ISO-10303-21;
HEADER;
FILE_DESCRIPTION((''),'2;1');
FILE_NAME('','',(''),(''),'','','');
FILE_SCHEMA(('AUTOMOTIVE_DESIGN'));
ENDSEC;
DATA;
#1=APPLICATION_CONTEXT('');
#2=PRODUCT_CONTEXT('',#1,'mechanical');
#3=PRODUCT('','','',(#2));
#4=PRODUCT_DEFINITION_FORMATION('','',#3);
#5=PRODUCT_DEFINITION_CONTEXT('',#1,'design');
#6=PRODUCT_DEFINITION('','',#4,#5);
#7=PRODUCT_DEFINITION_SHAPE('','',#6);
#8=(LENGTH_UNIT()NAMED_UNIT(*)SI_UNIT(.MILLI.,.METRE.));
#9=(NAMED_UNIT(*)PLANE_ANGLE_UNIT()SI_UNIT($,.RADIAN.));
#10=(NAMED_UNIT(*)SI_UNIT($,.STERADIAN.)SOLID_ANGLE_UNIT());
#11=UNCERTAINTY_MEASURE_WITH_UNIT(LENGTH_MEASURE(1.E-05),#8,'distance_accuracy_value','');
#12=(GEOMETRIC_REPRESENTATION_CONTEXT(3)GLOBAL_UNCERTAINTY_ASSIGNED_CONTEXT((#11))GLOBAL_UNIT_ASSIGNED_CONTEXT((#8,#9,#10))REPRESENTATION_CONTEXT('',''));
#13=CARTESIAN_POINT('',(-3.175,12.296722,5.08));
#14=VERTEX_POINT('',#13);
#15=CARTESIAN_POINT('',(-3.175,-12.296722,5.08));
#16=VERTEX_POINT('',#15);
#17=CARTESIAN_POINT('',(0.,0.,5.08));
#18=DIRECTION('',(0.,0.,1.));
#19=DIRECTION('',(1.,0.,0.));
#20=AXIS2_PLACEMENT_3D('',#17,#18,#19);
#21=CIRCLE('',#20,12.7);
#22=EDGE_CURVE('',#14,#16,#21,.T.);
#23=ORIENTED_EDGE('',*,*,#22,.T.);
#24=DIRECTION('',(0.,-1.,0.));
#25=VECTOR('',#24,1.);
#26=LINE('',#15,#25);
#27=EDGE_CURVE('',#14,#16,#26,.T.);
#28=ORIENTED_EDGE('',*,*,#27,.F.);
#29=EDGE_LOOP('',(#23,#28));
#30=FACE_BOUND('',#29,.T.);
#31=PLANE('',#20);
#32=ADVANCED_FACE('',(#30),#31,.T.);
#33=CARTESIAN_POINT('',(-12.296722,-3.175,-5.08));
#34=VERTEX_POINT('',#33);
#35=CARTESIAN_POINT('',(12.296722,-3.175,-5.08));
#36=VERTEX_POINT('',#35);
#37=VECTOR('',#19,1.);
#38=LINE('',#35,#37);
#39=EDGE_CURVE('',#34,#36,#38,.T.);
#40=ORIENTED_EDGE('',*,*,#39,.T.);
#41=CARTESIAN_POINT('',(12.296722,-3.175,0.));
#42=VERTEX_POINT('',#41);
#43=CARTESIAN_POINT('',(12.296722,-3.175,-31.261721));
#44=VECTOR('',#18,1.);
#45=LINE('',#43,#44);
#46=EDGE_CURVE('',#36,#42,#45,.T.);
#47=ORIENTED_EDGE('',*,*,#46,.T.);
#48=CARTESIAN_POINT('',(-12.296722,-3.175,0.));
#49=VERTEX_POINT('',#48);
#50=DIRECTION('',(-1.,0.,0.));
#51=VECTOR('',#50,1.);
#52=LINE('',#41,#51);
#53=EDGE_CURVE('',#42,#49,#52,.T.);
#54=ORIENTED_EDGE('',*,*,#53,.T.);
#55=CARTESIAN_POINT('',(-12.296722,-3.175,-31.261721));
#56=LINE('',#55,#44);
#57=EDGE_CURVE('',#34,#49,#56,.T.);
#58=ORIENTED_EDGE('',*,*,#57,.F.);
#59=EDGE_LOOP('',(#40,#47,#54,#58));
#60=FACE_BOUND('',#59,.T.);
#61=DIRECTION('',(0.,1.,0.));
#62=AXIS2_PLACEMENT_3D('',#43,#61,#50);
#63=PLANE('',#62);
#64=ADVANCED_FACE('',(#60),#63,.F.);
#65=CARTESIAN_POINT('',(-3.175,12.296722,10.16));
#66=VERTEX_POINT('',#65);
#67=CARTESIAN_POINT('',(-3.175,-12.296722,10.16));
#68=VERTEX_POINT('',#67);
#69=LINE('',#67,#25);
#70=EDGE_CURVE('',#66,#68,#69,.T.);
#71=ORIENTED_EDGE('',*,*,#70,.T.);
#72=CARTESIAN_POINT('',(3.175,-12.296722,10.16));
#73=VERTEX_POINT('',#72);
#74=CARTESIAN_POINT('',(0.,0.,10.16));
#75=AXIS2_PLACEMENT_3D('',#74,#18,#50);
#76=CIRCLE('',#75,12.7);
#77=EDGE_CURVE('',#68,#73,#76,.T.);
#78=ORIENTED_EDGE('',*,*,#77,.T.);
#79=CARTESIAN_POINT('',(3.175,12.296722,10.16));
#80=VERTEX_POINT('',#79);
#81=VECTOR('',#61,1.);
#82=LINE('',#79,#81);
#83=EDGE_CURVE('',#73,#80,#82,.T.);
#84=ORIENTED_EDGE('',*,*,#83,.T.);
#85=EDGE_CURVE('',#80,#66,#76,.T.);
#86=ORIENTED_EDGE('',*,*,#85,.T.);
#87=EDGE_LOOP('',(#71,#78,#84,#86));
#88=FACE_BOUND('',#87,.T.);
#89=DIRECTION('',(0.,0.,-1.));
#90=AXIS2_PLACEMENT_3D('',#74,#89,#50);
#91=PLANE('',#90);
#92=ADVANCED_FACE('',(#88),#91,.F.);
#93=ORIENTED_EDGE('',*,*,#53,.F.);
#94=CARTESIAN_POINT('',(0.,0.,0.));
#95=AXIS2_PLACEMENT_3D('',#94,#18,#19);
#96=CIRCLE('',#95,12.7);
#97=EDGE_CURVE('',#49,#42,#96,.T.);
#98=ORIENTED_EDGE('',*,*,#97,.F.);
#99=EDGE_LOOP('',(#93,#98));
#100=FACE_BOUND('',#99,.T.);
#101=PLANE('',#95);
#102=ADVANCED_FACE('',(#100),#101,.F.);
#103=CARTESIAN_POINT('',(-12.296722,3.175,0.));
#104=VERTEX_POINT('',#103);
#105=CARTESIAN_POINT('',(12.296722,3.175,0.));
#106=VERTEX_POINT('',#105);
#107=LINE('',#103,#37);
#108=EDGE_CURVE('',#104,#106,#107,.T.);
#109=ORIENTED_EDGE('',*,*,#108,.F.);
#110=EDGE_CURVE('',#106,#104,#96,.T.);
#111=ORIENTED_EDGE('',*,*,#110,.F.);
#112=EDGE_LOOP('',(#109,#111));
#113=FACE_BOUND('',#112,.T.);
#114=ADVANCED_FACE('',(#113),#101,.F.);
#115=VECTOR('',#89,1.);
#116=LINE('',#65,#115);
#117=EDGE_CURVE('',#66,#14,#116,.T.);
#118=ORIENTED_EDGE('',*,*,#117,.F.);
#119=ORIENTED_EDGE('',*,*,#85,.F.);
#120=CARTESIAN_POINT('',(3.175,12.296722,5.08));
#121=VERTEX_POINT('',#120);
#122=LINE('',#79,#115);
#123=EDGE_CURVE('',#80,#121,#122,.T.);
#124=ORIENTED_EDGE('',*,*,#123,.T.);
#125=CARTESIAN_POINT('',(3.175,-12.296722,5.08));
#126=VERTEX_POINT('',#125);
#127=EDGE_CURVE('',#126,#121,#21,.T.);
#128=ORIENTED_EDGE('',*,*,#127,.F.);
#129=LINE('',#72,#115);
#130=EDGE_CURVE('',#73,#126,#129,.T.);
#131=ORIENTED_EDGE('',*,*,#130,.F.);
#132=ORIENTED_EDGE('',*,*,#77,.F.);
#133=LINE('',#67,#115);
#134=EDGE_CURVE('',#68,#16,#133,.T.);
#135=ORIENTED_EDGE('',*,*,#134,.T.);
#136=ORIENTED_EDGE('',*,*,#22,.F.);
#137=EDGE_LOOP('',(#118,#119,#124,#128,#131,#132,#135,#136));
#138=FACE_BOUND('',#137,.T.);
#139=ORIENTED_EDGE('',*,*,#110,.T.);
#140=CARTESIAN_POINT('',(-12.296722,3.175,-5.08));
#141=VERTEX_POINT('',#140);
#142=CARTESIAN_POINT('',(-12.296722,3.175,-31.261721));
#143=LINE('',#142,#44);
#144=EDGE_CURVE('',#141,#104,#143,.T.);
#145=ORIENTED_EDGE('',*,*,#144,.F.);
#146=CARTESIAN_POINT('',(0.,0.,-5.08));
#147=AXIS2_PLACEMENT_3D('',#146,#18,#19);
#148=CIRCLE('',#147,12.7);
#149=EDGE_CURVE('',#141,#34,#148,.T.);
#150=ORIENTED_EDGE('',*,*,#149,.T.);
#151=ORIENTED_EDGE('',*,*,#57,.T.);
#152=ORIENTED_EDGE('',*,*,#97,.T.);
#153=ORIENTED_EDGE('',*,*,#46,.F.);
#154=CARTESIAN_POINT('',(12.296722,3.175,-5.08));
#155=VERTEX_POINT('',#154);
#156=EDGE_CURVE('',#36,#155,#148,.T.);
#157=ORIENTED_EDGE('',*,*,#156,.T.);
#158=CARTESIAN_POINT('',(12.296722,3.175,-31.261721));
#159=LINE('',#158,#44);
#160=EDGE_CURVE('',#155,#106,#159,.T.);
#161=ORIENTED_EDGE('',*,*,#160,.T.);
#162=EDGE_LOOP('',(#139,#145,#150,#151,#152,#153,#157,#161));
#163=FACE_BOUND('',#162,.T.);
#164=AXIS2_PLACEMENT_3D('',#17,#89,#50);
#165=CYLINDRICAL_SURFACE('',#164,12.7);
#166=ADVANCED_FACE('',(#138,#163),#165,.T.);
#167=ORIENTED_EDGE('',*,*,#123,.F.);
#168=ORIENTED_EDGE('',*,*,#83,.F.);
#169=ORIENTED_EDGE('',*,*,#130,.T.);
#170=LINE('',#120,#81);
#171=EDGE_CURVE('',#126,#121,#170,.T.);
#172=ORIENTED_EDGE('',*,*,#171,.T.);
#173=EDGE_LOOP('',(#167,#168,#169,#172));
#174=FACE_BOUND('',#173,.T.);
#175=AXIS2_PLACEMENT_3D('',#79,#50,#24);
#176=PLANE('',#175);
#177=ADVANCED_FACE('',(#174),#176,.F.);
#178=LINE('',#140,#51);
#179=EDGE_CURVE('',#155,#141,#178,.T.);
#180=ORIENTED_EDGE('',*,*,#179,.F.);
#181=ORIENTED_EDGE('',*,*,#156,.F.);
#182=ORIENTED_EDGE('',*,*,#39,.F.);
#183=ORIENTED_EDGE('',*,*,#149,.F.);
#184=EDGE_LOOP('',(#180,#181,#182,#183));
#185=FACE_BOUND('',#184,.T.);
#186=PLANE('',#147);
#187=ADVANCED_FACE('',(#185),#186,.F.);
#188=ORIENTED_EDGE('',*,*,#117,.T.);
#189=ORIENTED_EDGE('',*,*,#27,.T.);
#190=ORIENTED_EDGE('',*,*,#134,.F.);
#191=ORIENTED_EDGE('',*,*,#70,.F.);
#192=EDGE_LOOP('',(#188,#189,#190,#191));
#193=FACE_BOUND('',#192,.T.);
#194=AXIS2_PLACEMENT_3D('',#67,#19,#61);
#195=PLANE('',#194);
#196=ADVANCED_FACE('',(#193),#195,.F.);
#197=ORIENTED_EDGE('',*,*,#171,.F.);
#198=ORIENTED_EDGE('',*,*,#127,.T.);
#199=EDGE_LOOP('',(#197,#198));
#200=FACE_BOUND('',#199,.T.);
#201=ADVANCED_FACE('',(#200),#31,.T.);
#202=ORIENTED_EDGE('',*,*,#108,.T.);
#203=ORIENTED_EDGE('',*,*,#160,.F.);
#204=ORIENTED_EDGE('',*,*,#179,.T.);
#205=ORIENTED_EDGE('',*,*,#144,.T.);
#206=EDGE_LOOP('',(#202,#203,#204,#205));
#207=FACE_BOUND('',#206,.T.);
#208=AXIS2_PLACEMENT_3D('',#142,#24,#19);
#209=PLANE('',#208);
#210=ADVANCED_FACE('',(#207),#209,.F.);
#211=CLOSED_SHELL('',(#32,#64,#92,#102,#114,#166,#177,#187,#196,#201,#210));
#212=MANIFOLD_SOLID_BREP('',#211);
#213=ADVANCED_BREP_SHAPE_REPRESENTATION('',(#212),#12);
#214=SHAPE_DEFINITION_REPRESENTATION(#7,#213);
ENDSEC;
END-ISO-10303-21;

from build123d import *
from build123d.topology import SkipClean

# Parameters (mm, degrees)
SKETCH1_R           = 12.7
BOSS_EXTRUDE1_DEPTH = 5.08
BOSS_EXTRUDE2_START = 5.08
BOSS_EXTRUDE2_DEPTH = 5.08
BOSS_EXTRUDE3_DEPTH = 5.08


with BuildPart() as part:
    # Sketch1 → Boss-Extrude1 (new body)
    with BuildSketch(Plane.XY):
        Circle(SKETCH1_R)
    extrude(amount=BOSS_EXTRUDE1_DEPTH)

    # Sketch2 → Boss-Extrude2 (add)
    with SkipClean():  # the faces are left unmerged after this step: merging them gives an invalid solid
        with BuildSketch(Plane(origin=(0, 0, 0), x_dir=(-1, 0, 0), z_dir=(0, 0, -1)).offset(BOSS_EXTRUDE2_START)):
            with BuildLine():
                Line((12.296722124, 3.175), (-12.296722124, 3.175))
                ThreePointArc((-12.296722124, 3.175), (-12.7, 0), (-12.296722124, -3.175))
                Line((-12.296722124, -3.175), (12.296722124, -3.175))
                ThreePointArc((12.296722124, -3.175), (12.7, 0), (12.296722124, 3.175))
            make_face()
        extrude(amount=-BOSS_EXTRUDE2_DEPTH)

    # Sketch4 → Boss-Extrude3 (add)
    with SkipClean():  # the faces are left unmerged after this step: merging them gives an invalid solid
        with BuildSketch(Plane.XY.offset(5.08)):
            with BuildLine():
                Line((-3.175, -12.296722124), (-3.175, 12.296722124))
                ThreePointArc((-3.175, 12.296722124), (0, 12.7), (3.175, 12.296722124))
                Line((3.175, 12.296722124), (3.175, -12.296722124))
                ThreePointArc((3.175, -12.296722124), (0, -12.7), (-3.175, -12.296722124))
            make_face()
        extrude(amount=BOSS_EXTRUDE3_DEPTH)


solid = part.part
